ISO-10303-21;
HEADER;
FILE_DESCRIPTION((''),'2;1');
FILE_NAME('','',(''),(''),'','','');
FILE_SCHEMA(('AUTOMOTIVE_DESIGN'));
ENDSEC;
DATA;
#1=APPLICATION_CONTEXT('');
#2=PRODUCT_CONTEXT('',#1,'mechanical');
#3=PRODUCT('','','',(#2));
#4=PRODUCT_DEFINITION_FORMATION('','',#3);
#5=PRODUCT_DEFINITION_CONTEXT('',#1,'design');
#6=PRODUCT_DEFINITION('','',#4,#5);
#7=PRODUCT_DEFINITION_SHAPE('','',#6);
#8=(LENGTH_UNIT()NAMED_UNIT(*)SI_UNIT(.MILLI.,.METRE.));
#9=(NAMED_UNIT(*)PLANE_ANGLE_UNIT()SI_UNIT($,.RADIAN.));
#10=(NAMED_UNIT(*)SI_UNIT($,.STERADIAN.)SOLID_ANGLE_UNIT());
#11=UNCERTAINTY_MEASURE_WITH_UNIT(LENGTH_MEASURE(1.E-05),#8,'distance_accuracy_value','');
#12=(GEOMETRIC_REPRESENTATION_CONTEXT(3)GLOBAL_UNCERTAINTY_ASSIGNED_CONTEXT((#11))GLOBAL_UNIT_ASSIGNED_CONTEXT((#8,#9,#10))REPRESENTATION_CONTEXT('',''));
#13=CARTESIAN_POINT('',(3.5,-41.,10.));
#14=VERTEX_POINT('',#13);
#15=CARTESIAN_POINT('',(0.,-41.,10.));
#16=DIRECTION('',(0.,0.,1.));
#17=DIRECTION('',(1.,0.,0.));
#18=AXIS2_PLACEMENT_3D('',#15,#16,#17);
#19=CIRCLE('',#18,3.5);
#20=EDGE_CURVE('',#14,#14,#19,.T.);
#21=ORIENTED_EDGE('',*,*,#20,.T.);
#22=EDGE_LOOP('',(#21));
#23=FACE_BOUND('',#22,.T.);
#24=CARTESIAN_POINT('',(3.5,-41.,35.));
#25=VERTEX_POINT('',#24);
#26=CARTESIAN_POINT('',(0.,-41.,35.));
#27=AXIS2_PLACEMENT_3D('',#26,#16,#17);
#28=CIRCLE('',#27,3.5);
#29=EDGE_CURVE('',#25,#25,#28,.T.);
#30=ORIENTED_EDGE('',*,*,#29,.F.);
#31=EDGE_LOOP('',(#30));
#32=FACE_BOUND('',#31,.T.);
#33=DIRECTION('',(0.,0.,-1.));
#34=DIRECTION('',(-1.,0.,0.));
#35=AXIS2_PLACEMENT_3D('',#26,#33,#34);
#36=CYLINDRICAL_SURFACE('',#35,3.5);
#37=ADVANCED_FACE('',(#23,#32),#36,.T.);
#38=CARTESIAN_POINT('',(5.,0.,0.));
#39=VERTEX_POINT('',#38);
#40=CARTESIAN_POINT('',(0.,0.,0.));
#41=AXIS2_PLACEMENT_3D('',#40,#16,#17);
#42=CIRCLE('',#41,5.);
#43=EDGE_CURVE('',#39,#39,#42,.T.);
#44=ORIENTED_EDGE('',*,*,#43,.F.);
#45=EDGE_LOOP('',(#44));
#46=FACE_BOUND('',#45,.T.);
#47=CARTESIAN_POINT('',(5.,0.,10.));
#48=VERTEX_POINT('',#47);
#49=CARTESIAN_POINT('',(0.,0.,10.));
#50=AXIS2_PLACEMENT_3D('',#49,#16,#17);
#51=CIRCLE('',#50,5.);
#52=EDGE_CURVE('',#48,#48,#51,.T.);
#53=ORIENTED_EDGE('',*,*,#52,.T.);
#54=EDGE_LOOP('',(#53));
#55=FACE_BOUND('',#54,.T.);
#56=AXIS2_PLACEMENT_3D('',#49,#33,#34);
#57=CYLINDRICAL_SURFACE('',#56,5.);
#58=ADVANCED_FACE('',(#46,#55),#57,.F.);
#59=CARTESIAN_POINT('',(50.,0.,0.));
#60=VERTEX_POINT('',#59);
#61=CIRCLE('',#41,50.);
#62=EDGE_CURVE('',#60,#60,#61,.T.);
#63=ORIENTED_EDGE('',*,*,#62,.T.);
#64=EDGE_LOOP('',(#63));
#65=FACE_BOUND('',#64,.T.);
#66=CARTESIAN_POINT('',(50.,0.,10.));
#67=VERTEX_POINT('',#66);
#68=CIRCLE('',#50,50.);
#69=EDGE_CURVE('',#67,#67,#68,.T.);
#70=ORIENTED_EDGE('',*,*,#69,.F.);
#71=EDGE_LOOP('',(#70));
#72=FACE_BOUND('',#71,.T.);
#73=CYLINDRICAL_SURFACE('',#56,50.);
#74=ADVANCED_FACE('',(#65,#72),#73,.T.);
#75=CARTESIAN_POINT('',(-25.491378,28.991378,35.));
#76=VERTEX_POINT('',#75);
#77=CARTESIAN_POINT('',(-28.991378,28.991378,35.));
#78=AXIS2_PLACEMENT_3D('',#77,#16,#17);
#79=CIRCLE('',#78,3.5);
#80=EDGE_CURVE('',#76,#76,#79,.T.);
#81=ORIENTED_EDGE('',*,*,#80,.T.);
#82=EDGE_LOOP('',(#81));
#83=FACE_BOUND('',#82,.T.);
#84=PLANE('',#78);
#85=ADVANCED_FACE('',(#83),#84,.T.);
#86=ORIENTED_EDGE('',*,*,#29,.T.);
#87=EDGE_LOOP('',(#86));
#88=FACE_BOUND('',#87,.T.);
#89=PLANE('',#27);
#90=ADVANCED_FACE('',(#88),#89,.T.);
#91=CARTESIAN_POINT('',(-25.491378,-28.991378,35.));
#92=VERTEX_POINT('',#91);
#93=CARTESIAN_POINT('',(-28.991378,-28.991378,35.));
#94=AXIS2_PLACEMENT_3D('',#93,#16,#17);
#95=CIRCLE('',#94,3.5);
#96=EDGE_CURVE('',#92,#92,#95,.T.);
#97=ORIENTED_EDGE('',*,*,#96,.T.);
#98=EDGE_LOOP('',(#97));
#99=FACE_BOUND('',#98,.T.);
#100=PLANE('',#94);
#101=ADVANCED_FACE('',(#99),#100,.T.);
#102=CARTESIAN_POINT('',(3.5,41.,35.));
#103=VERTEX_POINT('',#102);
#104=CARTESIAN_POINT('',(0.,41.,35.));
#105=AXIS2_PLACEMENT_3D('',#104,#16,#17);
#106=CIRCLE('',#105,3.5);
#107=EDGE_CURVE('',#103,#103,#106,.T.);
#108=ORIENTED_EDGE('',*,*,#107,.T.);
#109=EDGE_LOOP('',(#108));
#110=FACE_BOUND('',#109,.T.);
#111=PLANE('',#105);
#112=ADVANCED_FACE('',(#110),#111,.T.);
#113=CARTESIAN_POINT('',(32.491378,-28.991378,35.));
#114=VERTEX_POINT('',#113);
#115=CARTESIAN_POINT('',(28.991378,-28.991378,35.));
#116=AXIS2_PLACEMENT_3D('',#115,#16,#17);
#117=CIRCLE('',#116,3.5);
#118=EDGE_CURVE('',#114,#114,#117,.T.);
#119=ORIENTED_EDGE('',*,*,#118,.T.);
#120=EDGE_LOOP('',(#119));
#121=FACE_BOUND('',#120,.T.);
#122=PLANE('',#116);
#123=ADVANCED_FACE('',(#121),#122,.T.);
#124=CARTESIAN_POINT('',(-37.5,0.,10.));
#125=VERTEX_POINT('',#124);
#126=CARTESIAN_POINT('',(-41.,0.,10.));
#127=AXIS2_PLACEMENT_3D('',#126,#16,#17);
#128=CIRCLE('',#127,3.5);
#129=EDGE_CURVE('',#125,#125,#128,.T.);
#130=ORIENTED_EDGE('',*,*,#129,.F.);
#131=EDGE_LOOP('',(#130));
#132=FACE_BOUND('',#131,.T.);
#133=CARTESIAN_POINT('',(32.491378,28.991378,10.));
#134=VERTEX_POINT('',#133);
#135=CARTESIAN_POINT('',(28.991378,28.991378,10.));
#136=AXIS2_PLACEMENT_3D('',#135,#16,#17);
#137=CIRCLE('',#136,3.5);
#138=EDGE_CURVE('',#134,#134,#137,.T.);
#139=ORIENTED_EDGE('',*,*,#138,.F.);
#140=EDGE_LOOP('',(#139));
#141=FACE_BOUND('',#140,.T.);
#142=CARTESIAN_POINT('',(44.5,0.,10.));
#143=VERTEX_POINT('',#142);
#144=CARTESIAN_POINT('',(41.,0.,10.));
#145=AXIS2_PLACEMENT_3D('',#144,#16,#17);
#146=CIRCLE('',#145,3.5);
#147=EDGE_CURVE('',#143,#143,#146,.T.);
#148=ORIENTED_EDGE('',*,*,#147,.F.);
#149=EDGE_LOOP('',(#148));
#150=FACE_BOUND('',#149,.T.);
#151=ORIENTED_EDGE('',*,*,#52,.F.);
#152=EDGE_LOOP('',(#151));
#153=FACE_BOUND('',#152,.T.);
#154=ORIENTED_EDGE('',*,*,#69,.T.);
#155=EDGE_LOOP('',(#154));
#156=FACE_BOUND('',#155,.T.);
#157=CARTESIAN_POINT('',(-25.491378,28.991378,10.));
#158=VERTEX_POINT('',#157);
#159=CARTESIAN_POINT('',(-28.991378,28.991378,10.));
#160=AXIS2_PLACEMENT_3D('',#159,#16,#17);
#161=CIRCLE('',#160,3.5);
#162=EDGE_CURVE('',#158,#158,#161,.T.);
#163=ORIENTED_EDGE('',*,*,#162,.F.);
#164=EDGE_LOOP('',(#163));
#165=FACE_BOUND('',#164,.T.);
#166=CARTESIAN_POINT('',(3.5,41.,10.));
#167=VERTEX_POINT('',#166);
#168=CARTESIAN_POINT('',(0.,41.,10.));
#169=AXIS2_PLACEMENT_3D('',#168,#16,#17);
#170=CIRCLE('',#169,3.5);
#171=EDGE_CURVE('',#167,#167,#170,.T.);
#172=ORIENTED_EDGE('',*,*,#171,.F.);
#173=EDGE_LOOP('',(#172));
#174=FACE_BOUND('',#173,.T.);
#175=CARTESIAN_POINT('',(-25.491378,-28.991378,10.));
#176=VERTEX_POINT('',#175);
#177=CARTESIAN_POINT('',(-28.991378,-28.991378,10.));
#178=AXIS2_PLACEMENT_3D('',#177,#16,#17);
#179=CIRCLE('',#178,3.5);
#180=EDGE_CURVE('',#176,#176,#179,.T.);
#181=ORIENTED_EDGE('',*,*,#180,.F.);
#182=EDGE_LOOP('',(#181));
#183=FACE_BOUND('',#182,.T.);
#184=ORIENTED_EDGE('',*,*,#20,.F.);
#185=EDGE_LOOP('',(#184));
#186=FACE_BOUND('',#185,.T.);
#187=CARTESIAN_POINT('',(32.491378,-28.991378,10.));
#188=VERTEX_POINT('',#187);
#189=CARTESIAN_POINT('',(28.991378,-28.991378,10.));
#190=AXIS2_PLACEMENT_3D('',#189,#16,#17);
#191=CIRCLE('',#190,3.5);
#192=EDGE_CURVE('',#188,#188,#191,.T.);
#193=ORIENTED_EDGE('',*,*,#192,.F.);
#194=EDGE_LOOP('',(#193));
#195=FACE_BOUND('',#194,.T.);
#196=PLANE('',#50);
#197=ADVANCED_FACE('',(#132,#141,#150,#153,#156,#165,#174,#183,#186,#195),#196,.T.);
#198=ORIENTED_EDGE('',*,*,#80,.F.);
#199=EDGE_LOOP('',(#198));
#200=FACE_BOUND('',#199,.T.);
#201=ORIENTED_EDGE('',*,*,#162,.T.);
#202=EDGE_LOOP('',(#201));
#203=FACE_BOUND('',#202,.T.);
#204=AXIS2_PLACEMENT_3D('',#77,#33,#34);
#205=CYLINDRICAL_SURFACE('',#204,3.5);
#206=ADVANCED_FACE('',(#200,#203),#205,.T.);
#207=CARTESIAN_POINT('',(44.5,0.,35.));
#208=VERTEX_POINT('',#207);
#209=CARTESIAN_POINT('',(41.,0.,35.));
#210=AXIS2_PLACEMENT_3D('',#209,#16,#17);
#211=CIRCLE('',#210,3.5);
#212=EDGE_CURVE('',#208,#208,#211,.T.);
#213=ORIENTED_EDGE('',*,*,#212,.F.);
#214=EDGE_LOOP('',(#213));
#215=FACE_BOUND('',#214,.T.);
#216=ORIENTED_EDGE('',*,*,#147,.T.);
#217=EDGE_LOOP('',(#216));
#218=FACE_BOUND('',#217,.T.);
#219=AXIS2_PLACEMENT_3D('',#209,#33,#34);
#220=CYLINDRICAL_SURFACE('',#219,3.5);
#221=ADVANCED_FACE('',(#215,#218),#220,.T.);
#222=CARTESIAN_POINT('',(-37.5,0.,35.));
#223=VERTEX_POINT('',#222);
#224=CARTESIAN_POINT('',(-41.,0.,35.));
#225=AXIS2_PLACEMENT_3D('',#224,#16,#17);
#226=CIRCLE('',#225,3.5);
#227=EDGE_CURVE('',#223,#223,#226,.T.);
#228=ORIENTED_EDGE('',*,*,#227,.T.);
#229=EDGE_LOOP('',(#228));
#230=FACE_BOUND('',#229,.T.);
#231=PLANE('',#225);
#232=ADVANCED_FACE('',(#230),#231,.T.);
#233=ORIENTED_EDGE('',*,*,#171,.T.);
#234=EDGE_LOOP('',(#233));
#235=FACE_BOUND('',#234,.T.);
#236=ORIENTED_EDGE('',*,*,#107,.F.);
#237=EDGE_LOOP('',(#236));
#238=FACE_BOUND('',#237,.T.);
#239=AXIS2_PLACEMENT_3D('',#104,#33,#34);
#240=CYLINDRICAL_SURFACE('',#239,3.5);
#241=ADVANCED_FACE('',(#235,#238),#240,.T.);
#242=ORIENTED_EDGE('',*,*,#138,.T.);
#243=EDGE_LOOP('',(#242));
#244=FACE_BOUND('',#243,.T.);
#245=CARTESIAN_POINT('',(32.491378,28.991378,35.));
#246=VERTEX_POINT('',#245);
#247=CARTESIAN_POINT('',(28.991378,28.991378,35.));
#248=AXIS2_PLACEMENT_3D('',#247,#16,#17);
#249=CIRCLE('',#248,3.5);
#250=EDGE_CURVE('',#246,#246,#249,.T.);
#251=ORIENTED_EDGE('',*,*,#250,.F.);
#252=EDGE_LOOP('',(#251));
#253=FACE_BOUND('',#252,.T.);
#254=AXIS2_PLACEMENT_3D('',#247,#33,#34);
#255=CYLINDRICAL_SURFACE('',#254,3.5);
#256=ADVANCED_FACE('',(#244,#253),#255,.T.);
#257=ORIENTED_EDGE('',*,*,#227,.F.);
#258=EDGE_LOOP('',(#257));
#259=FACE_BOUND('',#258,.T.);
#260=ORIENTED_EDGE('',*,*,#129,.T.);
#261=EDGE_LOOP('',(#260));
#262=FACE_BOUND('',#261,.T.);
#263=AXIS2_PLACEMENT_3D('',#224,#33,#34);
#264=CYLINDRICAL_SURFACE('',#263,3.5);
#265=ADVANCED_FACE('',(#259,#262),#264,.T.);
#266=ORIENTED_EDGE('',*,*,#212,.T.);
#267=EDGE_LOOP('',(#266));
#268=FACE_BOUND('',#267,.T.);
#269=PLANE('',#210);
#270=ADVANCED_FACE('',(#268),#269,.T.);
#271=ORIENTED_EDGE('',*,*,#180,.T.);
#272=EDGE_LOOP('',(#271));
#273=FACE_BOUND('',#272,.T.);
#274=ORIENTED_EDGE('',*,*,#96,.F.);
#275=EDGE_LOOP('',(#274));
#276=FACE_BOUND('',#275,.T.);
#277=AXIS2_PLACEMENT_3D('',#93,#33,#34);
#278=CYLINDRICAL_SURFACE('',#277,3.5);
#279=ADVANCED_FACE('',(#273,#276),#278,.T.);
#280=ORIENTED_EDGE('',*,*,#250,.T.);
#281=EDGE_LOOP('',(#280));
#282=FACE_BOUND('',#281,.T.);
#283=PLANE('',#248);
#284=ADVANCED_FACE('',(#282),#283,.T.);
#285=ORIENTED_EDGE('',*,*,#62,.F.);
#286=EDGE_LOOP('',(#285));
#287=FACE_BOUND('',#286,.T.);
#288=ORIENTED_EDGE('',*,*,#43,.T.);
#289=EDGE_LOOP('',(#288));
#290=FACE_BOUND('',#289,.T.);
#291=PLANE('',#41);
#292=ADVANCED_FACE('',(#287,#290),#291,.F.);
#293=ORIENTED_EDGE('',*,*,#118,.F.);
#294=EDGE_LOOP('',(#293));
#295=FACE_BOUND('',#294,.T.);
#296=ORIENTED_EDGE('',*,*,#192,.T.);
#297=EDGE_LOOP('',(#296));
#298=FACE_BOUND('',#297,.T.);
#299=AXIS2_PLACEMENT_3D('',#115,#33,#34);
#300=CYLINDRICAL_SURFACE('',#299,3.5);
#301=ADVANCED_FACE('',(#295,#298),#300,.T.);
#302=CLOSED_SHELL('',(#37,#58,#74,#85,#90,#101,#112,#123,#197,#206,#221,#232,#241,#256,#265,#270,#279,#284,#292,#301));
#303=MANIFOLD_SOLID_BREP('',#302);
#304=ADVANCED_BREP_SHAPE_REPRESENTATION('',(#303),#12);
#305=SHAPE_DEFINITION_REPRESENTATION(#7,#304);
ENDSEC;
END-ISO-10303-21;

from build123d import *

# Parameters (mm, degrees)
SKETCH1_R           = 50
SKETCH1_R_2         = 5
BOSS_EXTRUDE1_DEPTH = 10
SKETCH2_R           = 3.5
BOSS_EXTRUDE2_DEPTH = 25


with BuildPart() as part:
    # Sketch1 → Boss-Extrude1 (new body)
    with BuildSketch(Plane.XY):
        Circle(SKETCH1_R)
        Circle(SKETCH1_R_2, mode=Mode.SUBTRACT)
    extrude(amount=BOSS_EXTRUDE1_DEPTH)

    # Sketch2 → Boss-Extrude2 (add)
    with BuildSketch(Plane.XY.offset(10)):
        with Locations((0, 41)):
            Circle(SKETCH2_R)
        with Locations((28.991378029, 28.991378029)):
            Circle(SKETCH2_R)
        with Locations((41, 0)):
            Circle(SKETCH2_R)
        with Locations((28.991378029, -28.991378029)):
            Circle(SKETCH2_R)
        with Locations((0, -41)):
            Circle(SKETCH2_R)
        with Locations((-28.991378029, -28.991378029)):
            Circle(SKETCH2_R)
        with Locations((-41, 0)):
            Circle(SKETCH2_R)
        with Locations((-28.991378029, 28.991378029)):
            Circle(SKETCH2_R)
    extrude(amount=BOSS_EXTRUDE2_DEPTH)


solid = part.part
